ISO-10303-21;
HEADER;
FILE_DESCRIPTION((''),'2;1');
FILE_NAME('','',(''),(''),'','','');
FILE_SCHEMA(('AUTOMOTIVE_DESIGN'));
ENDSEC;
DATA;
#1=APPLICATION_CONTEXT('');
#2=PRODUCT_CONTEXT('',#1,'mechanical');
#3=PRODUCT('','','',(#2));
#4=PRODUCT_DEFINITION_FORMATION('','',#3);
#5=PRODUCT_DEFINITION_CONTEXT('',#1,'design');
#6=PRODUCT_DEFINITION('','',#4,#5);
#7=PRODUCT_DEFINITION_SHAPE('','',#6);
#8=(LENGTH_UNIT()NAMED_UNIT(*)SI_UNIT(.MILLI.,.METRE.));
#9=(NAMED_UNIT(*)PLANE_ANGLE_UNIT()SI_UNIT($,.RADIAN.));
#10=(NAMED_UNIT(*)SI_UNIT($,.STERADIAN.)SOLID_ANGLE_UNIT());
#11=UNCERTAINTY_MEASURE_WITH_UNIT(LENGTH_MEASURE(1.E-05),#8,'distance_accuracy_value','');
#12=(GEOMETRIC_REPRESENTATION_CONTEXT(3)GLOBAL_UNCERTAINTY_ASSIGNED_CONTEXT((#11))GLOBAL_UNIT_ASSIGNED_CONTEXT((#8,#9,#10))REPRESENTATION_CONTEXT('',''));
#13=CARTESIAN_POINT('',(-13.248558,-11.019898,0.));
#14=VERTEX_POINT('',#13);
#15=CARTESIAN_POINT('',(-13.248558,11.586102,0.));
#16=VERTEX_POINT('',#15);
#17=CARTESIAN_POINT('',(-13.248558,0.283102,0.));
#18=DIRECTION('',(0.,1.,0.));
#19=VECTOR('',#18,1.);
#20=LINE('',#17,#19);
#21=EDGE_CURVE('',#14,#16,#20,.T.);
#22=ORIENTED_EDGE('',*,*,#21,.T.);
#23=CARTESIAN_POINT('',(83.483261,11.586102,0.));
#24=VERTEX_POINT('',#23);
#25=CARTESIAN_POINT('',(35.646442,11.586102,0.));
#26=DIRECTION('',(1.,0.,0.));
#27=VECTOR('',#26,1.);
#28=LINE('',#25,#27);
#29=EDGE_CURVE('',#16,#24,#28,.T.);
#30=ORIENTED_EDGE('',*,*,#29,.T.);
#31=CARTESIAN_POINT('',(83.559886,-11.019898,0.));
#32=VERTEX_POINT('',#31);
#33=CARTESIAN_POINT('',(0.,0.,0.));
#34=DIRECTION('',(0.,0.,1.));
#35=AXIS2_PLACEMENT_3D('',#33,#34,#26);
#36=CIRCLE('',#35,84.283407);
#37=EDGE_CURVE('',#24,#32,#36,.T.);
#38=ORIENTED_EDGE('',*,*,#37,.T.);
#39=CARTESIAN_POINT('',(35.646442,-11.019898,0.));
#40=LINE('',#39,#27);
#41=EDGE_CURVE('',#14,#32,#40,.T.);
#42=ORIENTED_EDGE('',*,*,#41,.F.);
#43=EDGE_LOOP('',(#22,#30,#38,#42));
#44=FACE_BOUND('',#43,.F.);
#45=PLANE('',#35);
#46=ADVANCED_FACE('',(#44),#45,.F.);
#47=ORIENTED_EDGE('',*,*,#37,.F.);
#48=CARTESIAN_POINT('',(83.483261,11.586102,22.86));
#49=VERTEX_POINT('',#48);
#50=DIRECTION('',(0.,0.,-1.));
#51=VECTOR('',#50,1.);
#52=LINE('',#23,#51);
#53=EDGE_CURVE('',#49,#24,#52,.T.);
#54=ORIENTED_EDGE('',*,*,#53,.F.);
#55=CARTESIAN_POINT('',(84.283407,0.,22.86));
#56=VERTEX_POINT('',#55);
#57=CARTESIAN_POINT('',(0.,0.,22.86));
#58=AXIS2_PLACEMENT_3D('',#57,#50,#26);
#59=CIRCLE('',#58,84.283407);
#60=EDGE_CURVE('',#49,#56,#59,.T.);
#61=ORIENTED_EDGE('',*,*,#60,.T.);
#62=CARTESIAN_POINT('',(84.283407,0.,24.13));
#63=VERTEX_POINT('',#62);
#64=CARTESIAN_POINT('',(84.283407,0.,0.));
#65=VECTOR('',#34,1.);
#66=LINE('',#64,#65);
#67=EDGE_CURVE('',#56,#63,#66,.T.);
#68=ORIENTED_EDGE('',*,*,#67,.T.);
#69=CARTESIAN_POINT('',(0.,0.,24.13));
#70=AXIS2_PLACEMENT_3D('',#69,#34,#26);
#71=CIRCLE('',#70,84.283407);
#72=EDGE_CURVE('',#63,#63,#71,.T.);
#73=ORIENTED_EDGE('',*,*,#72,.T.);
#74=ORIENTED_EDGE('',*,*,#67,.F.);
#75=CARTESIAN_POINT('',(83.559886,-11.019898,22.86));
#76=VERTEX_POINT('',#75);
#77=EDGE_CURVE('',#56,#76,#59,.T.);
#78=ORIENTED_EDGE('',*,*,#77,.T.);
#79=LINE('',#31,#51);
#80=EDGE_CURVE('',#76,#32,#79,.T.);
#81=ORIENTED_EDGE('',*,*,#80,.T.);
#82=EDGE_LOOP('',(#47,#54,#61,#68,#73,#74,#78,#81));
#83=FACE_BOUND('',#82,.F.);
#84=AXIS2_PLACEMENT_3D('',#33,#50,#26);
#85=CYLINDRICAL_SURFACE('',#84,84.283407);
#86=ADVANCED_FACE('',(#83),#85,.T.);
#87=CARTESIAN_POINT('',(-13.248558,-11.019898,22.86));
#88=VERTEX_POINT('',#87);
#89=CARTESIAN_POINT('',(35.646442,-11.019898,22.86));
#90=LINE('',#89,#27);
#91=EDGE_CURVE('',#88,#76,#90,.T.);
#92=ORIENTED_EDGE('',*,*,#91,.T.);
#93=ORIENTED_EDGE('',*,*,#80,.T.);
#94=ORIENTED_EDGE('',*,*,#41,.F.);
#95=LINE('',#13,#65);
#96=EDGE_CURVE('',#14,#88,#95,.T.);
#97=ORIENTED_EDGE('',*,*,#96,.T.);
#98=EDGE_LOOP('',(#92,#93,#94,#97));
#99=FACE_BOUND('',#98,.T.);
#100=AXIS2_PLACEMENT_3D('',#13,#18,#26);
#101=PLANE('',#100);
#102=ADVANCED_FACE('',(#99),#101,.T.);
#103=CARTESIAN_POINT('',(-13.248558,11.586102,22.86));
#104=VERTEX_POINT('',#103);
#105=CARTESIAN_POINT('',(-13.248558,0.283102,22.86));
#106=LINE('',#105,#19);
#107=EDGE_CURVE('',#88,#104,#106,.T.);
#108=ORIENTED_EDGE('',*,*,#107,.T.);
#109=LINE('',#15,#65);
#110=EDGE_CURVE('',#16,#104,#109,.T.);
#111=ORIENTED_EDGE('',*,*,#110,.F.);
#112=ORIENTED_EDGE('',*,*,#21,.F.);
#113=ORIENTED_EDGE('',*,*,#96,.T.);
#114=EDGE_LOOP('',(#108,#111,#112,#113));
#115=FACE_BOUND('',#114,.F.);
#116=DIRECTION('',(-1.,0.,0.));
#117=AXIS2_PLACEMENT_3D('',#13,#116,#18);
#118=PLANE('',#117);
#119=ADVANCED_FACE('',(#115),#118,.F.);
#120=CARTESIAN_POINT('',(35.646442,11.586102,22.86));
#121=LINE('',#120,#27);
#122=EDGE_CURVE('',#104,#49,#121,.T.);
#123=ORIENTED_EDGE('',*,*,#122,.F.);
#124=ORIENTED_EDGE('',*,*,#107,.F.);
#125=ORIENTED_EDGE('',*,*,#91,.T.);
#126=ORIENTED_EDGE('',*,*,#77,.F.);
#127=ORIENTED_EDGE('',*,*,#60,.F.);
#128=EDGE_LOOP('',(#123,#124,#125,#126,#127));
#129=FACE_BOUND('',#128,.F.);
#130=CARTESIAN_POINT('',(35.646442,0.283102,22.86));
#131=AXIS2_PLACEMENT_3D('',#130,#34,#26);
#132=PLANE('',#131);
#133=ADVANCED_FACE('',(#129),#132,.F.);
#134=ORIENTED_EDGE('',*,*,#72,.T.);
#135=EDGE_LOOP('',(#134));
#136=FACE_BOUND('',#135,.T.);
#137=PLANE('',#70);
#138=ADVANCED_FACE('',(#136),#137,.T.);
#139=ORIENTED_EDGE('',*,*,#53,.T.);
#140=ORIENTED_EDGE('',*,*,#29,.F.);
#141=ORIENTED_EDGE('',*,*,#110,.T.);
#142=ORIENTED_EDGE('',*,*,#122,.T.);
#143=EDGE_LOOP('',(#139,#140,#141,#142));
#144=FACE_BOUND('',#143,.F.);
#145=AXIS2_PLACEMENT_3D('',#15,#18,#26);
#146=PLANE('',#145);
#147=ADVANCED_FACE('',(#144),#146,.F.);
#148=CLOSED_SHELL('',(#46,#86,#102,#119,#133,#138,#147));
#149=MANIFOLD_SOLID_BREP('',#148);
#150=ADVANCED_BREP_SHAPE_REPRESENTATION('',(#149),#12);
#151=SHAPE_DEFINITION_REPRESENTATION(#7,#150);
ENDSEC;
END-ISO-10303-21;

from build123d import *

# Parameters (mm, degrees)
F0_R     = 84.283407
F1_DEPTH = 24.13
F2_W     = 97.79
F2_H     = 22.606
F3_DEPTH = 22.86


with BuildPart() as f1:
    # F0 (on Top) → F1 (new body)
    with BuildSketch(Plane.XY):
        Circle(F0_R)
    extrude(amount=F1_DEPTH)

    # F2 (on Top) → F3 (cut)
    with BuildSketch(Plane.XY):
        with Locations((35.646442, 0.283102)):
            Rectangle(F2_W, F2_H)
    extrude(amount=F3_DEPTH, mode=Mode.SUBTRACT)


solid = f1.part
